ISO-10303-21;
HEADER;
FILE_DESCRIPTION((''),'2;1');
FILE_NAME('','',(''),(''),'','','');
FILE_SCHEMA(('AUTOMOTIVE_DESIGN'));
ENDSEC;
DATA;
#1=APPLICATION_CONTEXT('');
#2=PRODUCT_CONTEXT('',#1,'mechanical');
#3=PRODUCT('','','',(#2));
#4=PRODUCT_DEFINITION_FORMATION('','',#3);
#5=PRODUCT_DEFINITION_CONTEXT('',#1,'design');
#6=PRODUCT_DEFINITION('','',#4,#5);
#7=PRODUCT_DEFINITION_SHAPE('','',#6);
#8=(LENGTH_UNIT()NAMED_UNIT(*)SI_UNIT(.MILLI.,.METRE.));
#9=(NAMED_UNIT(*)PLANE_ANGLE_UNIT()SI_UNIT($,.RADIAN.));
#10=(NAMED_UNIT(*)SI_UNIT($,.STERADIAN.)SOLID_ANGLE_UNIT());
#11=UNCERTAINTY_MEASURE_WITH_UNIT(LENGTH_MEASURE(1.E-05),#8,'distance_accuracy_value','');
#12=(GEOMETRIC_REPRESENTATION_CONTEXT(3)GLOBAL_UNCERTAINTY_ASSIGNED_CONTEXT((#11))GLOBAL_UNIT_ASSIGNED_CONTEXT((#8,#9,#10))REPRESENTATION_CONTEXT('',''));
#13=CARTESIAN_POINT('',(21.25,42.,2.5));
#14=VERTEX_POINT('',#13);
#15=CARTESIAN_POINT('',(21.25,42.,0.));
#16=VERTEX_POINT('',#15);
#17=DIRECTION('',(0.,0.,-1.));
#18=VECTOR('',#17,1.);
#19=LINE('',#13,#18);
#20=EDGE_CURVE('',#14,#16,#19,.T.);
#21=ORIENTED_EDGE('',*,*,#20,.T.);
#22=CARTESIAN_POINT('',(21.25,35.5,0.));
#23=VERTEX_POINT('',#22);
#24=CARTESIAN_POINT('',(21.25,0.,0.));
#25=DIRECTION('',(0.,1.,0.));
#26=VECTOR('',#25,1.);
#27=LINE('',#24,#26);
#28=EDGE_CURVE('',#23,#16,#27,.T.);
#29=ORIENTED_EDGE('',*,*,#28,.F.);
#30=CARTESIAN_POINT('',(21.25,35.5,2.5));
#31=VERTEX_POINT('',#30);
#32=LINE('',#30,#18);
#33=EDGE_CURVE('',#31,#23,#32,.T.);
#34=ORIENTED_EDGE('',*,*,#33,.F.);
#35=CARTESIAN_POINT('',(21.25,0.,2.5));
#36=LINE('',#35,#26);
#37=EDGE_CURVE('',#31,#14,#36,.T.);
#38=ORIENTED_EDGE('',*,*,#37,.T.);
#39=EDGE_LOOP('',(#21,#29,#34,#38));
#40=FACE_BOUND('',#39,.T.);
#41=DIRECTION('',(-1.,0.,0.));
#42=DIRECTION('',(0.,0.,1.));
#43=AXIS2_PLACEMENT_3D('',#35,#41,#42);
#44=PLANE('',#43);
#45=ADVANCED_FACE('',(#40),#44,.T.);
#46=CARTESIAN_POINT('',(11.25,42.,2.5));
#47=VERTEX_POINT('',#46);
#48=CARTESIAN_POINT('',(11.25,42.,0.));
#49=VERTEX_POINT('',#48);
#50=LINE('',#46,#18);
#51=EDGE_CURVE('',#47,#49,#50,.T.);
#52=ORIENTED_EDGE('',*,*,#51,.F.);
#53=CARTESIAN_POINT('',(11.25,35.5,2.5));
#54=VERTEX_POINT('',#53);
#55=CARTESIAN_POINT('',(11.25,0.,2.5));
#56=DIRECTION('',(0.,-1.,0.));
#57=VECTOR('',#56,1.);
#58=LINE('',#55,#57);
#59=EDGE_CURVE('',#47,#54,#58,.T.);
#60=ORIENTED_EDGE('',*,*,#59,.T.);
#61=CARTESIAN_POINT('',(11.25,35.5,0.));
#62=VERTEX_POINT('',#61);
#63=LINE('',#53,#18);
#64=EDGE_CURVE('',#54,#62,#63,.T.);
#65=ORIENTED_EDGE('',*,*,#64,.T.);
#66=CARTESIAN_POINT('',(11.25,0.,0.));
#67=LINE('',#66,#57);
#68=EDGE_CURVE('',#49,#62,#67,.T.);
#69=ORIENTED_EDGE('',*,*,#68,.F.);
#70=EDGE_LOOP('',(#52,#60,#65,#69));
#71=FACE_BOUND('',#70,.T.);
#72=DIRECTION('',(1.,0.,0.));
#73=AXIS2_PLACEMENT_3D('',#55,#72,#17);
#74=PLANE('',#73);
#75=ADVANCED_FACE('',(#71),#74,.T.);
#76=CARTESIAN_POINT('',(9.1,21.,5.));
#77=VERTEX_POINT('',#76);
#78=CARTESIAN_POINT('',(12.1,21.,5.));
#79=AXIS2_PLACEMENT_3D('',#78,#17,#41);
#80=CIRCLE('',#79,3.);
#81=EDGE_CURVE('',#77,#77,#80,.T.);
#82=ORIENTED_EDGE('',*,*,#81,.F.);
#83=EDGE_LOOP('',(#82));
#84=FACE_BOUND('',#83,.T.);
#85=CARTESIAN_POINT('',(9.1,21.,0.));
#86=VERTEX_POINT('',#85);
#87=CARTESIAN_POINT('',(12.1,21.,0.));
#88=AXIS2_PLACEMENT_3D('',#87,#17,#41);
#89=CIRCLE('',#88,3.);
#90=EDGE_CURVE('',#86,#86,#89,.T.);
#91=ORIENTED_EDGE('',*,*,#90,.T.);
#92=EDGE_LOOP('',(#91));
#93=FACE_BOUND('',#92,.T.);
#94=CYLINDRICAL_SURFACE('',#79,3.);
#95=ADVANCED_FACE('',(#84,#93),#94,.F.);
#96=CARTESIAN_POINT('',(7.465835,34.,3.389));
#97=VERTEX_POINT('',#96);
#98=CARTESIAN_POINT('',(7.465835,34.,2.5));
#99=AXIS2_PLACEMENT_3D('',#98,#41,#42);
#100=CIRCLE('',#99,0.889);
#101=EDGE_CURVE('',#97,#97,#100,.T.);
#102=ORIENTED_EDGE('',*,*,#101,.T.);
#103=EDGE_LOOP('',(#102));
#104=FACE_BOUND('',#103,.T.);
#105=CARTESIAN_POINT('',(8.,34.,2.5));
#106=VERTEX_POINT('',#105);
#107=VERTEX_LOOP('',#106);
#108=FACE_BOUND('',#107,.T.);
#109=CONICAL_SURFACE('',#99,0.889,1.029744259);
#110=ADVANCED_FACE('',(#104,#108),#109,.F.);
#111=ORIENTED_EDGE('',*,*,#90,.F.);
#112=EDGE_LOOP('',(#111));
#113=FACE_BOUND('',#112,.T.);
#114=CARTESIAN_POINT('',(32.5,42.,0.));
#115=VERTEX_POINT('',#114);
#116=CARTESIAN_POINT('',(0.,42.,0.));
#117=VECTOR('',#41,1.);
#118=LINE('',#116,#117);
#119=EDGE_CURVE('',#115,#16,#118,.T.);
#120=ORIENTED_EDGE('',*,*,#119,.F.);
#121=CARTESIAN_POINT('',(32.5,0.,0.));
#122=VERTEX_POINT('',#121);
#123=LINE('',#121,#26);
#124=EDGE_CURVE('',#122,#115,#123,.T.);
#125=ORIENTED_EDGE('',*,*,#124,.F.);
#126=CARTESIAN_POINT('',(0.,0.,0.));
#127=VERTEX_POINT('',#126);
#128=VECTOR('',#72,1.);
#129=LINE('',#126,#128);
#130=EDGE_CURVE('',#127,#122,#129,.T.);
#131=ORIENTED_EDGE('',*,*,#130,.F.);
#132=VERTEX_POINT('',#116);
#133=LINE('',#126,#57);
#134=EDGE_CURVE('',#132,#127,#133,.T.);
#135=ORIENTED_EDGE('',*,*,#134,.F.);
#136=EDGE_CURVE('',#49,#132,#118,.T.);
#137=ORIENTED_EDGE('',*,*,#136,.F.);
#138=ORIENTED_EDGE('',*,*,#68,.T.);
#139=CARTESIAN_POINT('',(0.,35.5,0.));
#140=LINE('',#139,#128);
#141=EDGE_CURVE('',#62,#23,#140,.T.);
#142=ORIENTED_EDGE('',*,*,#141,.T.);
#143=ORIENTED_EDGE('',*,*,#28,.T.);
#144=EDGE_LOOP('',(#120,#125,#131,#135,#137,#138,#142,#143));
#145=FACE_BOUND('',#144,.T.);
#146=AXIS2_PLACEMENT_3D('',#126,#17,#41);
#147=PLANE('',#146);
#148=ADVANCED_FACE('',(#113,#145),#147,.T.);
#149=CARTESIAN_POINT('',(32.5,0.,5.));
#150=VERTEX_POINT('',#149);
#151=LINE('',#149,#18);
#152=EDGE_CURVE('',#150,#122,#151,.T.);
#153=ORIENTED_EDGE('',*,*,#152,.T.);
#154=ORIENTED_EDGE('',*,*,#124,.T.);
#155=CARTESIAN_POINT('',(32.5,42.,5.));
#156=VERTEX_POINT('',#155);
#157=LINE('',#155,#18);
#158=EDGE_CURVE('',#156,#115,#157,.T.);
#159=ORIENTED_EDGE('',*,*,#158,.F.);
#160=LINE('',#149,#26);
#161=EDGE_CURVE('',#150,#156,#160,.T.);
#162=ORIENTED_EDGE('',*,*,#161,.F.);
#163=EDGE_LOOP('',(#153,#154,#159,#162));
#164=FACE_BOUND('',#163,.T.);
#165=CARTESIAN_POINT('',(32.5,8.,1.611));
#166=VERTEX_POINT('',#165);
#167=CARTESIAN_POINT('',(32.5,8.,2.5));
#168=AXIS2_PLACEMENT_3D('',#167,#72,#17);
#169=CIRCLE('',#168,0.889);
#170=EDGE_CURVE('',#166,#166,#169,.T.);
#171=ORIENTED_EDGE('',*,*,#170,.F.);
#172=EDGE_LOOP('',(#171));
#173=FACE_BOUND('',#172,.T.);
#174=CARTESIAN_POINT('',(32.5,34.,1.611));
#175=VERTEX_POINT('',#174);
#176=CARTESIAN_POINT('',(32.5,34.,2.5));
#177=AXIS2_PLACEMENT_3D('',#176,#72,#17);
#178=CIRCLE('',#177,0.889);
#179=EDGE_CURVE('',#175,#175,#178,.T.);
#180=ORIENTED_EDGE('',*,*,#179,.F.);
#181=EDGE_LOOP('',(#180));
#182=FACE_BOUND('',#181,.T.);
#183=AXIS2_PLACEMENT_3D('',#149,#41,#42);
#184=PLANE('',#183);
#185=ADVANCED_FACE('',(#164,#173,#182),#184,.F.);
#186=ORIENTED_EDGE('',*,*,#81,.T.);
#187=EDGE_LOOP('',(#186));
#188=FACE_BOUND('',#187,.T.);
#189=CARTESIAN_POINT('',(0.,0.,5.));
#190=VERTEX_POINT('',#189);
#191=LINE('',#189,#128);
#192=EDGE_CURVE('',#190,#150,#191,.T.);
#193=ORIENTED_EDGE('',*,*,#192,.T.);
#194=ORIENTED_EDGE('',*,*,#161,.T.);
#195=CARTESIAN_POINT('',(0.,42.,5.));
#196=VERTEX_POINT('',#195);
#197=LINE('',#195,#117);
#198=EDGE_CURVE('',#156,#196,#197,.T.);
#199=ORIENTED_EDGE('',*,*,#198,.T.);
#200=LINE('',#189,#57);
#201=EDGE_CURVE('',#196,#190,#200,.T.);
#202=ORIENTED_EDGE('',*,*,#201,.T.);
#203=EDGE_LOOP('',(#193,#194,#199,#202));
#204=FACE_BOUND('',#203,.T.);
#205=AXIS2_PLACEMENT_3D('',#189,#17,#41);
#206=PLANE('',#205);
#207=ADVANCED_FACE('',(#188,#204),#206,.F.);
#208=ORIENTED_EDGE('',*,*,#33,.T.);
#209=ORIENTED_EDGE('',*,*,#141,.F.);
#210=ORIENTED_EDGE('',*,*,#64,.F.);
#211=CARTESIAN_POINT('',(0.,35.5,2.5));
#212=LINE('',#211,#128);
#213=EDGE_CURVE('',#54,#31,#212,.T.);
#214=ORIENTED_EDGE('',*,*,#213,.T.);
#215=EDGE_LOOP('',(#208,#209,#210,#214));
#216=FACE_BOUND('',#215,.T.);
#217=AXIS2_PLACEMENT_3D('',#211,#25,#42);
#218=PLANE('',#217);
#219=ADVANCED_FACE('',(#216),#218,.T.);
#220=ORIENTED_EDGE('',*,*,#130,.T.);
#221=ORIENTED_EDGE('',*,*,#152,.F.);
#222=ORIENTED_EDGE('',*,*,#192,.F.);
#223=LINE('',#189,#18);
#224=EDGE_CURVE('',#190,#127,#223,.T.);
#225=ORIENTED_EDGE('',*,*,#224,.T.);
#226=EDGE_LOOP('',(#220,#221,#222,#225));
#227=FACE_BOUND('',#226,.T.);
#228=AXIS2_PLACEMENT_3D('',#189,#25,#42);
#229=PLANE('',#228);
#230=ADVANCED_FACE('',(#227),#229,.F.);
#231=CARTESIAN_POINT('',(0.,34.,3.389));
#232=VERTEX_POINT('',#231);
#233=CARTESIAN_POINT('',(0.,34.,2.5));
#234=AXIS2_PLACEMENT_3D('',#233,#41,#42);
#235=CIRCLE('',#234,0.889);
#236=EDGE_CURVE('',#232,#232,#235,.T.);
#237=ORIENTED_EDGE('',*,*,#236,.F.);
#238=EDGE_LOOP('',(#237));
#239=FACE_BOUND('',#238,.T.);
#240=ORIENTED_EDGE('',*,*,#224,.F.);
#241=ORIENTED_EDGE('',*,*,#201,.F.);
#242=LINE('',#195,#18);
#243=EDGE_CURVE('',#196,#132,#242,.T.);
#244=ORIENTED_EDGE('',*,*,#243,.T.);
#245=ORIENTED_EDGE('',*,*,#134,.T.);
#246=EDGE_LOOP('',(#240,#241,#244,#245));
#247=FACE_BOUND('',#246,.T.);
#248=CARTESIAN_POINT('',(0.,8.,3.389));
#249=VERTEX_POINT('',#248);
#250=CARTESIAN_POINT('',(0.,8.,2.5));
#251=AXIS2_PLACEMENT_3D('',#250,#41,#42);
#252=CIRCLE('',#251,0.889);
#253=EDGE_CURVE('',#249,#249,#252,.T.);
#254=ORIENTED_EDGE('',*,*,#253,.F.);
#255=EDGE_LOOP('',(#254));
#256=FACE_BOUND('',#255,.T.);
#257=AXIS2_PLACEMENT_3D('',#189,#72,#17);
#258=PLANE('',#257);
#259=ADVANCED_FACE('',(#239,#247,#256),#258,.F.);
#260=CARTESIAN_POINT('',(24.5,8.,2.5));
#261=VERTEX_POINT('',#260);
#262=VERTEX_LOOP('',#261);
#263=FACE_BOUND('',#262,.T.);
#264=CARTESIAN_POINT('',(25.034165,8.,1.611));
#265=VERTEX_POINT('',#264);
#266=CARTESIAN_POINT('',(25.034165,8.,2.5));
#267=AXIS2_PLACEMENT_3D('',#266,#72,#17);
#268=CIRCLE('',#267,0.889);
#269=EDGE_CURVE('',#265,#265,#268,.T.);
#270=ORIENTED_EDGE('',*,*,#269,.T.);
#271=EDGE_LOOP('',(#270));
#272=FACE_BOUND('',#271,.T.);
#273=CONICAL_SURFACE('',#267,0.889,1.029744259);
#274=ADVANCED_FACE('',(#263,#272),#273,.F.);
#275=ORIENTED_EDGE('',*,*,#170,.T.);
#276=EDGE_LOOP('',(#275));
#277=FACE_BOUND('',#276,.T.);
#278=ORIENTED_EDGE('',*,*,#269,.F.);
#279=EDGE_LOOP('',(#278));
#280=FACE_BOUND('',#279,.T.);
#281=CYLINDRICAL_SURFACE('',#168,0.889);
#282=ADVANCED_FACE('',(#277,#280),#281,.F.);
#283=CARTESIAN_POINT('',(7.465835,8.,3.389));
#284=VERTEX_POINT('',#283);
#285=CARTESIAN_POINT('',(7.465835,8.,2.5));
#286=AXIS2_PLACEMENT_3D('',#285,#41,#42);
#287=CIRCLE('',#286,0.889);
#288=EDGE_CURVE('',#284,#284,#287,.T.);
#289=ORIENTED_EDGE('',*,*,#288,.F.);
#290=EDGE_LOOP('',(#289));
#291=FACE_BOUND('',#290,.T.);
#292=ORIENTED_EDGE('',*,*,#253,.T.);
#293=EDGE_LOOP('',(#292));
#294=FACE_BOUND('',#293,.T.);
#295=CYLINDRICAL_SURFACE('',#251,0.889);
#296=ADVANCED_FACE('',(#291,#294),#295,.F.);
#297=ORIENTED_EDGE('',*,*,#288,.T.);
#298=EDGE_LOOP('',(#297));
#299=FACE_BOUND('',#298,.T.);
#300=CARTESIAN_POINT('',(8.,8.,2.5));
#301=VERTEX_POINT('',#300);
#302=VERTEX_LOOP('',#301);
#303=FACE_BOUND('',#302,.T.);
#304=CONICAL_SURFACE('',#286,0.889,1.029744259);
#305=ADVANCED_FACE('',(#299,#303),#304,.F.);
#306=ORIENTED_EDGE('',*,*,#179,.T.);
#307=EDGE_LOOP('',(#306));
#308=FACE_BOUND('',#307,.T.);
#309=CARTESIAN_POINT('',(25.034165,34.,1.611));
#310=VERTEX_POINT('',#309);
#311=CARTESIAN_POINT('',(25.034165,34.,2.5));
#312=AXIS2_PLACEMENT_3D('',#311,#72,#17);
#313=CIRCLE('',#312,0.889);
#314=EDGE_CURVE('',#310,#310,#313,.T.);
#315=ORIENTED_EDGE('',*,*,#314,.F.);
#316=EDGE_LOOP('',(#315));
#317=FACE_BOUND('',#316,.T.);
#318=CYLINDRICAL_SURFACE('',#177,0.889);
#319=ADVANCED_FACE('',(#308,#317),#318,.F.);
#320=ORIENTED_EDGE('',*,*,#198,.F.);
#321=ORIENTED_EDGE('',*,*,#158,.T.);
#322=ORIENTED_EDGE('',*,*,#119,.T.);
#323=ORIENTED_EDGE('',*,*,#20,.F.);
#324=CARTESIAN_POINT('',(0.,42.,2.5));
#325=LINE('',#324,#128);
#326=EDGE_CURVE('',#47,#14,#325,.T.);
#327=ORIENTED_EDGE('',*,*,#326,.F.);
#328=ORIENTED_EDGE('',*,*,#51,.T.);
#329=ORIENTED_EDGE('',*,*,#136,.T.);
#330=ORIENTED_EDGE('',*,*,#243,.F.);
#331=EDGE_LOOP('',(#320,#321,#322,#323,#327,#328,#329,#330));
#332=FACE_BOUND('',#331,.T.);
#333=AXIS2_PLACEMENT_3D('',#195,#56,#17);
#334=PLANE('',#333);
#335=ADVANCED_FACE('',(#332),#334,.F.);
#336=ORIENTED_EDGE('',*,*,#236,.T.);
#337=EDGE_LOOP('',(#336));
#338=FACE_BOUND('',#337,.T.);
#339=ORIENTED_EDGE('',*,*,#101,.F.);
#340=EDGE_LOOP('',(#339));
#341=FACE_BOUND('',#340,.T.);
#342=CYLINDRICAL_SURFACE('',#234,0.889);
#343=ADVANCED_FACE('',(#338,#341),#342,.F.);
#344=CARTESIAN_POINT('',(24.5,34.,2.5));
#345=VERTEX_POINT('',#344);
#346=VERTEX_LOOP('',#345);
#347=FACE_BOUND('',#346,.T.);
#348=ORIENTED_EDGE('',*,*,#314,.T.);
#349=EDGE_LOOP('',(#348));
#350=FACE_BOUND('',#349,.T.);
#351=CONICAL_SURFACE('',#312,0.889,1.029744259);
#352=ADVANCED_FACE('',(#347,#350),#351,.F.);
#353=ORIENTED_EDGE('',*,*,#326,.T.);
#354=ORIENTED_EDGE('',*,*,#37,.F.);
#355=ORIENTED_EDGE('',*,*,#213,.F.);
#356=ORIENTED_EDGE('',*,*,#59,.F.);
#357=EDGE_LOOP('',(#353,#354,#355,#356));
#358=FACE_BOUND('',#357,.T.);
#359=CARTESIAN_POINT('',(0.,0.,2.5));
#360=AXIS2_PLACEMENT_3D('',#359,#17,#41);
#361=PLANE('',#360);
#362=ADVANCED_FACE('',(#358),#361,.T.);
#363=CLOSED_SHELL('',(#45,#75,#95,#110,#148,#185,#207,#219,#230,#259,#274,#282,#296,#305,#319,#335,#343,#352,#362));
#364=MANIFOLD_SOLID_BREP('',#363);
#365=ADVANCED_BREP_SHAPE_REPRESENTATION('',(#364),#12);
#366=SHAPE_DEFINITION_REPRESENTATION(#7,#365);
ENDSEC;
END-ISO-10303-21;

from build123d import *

# Parameters (mm, degrees)
SKETCH1_W                 = 32.5
SKETCH1_H                 = 42
BOSS_EXTRUDE2_DEPTH       = 5
F_2_56_TAPPED_HOLE1_D     = 1.778
F_2_56_TAPPED_HOLE1_DEPTH = 7.46583491
F_2_56_TAPPED_HOLE1_TIP   = 0.53416509
F_2_56_TAPPED_HOLE2_D     = 1.778
F_2_56_TAPPED_HOLE2_DEPTH = 7.46583491
F_2_56_TAPPED_HOLE2_TIP   = 0.53416509
CUT_EXTRUDE1_DEPTH        = 5
SKETCH10_W                = 10
SKETCH10_H                = 6.5
CUT_EXTRUDE2_DEPTH        = 2.5


with BuildPart() as part:
    # Sketch1 → Boss-Extrude2 (new body)
    with BuildSketch(Plane.XY):
        with Locations((16.25, 21)):
            Rectangle(SKETCH1_W, SKETCH1_H)
    extrude(amount=BOSS_EXTRUDE2_DEPTH)

    # #2-56 Tapped Hole1
    with Locations(Plane.ZY):
        with Locations((2.5, 34), (2.5, 8)):
            Hole(F_2_56_TAPPED_HOLE1_D / 2, depth=F_2_56_TAPPED_HOLE1_DEPTH)
            with Locations((0, 0, -(F_2_56_TAPPED_HOLE1_DEPTH + F_2_56_TAPPED_HOLE1_TIP / 2))):  # 118° drill point
                Cone(0, F_2_56_TAPPED_HOLE1_D / 2, F_2_56_TAPPED_HOLE1_TIP, mode=Mode.SUBTRACT)

    # #2-56 Tapped Hole2
    with Locations(Plane(origin=(32.5, 0, 0), x_dir=(0, 0, -1), z_dir=(1, 0, 0))):
        with Locations((-2.5, 34), (-2.5, 8)):
            Hole(F_2_56_TAPPED_HOLE2_D / 2, depth=F_2_56_TAPPED_HOLE2_DEPTH)
            with Locations((0, 0, -(F_2_56_TAPPED_HOLE2_DEPTH + F_2_56_TAPPED_HOLE2_TIP / 2))):  # 118° drill point
                Cone(0, F_2_56_TAPPED_HOLE2_D / 2, F_2_56_TAPPED_HOLE2_TIP, mode=Mode.SUBTRACT)

    # Sketch9 → Cut-Extrude1 (cut)
    with BuildSketch(Plane(origin=(0, 0, 0), x_dir=(-1, 0, 0), z_dir=(0, 0, -1))):
        with BuildLine():
            ThreePointArc((-15.1, 21), (-12.1, 18), (-9.1, 21))
            Line((-9.1, 21), (-12.1, 21))
            Line((-12.1, 21), (-15.1, 21))
        make_face()
        with BuildLine():
            Line((-12.1, 21), (-9.1, 21))
            ThreePointArc((-9.1, 21), (-12.1, 24), (-15.1, 21))
            Line((-15.1, 21), (-12.1, 21))
        make_face()
    extrude(amount=-CUT_EXTRUDE1_DEPTH, mode=Mode.SUBTRACT)

    # Sketch10 → Cut-Extrude2 (cut)
    with BuildSketch(Plane(origin=(0, 0, 0), x_dir=(-1, 0, 0), z_dir=(0, 0, -1))):
        with Locations((-16.25, 38.75)):
            Rectangle(SKETCH10_W, SKETCH10_H)
    extrude(amount=-CUT_EXTRUDE2_DEPTH, mode=Mode.SUBTRACT)


solid = part.part
